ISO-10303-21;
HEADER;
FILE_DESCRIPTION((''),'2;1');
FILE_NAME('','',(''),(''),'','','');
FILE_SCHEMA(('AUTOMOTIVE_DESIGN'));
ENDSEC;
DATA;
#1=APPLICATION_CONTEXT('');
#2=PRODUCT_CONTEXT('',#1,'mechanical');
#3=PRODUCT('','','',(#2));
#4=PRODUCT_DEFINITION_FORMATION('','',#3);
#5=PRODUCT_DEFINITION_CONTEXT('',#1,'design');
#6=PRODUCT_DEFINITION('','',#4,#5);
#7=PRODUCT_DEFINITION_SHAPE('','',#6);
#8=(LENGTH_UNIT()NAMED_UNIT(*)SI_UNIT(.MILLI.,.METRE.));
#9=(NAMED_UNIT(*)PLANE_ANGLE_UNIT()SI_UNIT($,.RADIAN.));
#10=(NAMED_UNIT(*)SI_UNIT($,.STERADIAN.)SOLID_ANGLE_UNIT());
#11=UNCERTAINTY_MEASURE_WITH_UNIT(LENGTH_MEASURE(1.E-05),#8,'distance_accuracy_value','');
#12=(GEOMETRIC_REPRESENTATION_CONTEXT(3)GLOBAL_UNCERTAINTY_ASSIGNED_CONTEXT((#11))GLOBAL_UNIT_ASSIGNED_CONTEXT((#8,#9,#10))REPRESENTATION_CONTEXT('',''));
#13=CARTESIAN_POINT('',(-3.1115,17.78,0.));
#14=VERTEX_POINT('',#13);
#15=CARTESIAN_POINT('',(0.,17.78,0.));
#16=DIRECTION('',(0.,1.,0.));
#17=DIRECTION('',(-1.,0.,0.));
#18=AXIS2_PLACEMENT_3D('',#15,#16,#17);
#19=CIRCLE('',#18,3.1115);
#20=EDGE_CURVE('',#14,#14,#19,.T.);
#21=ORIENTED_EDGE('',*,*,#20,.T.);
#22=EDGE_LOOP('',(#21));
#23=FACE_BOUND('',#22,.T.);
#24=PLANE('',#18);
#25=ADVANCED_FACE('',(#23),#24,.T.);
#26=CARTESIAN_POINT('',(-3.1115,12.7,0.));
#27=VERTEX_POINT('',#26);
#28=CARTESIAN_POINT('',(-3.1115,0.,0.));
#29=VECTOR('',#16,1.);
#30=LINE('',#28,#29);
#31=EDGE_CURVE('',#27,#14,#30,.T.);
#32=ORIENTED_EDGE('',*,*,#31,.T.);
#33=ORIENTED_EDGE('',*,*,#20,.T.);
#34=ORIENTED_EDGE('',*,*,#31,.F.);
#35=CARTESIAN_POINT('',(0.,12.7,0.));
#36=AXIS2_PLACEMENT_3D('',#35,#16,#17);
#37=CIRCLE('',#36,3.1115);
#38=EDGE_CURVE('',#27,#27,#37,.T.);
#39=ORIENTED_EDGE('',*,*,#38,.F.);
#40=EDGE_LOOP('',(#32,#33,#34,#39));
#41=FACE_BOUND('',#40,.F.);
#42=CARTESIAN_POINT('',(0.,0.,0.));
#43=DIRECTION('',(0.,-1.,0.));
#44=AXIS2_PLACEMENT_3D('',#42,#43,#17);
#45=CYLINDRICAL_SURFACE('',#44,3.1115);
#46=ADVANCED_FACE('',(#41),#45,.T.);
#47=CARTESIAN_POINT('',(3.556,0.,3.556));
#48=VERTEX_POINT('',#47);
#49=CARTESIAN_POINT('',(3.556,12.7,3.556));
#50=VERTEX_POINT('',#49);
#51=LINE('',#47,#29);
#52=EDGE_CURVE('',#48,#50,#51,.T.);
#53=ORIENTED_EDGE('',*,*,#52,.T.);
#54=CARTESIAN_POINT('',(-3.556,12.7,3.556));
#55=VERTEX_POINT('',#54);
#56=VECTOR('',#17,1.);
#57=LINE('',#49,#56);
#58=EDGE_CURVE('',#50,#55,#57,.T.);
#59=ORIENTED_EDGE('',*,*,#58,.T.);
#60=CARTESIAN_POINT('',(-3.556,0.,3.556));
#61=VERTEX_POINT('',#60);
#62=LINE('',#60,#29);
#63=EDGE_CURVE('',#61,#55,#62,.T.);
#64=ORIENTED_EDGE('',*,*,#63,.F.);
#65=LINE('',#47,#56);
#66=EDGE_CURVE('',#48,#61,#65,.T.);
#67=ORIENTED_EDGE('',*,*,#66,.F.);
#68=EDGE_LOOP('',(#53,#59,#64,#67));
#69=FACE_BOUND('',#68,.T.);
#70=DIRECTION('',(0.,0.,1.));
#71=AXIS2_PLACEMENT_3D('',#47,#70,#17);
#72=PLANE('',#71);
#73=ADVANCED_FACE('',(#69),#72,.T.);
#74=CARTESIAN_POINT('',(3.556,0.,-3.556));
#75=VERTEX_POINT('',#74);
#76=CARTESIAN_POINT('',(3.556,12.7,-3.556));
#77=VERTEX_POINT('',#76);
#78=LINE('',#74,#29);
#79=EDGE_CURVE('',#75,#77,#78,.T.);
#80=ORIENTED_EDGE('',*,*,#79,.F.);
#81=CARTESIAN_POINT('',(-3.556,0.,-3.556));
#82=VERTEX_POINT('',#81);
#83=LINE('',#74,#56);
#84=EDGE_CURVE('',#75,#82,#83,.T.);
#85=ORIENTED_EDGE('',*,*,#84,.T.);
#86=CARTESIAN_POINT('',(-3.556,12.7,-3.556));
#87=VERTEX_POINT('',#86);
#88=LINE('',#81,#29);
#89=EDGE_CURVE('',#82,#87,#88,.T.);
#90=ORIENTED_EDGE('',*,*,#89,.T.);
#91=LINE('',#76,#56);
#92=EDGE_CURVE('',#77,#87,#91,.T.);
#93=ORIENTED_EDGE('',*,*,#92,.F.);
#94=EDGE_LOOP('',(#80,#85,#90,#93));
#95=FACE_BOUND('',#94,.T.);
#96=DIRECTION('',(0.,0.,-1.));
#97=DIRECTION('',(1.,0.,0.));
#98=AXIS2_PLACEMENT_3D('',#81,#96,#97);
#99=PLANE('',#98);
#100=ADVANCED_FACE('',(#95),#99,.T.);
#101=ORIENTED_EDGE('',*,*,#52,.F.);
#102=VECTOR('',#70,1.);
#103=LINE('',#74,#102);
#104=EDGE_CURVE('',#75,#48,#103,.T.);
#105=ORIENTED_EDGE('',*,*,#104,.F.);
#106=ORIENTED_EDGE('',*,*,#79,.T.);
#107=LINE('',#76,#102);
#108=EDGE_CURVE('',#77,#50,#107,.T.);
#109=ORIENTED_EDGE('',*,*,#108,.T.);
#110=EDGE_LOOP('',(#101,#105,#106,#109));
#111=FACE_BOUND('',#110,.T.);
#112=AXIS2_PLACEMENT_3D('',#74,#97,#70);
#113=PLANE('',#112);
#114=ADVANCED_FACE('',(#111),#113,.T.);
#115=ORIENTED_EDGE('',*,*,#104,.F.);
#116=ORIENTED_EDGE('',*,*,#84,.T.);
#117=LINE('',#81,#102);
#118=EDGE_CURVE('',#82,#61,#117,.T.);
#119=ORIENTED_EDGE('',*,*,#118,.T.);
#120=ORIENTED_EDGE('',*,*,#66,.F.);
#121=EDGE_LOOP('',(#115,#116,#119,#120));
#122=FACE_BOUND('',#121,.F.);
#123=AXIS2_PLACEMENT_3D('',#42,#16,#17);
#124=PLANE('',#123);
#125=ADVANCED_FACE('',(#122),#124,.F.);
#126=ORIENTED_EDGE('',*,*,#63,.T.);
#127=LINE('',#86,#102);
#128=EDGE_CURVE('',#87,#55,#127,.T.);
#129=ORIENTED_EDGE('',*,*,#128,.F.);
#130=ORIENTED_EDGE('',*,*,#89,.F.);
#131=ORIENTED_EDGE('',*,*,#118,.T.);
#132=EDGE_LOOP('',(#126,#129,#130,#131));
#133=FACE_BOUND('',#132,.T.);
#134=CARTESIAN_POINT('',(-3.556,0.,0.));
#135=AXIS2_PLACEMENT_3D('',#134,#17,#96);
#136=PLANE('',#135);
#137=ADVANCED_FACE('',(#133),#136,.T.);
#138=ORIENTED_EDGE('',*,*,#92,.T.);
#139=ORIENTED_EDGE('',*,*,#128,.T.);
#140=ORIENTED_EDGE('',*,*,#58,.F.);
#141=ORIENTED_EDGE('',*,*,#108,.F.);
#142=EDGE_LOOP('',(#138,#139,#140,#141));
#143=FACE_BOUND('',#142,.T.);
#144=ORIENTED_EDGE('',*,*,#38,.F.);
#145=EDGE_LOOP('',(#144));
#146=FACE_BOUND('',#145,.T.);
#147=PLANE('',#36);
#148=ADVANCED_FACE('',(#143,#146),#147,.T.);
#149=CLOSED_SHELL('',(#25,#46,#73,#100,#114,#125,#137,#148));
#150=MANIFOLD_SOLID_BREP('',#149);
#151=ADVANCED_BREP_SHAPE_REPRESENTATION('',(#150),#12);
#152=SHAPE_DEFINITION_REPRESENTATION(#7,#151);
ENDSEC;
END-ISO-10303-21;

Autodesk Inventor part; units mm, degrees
ref_plane "YZ Plane" through (0, 0, 0) normal (1, 0, 0) x (0, 1, 0)
ref_plane "XZ Plane" through (0, 0, 0) normal (0, 1, 0) x (-1, 0, 0)
ref_plane "XY Plane" through (0, 0, 0) normal (0, 0, 1) x (1, 0, 0)
sketch "Sketch1" plane through (0, 0, 0) normal (0, 1, 0) x (-1, 0, 0)
  circle A0 centre (0, 0) radius 3.1115
  line L0 (3.556, 0) -> (3.556, -3.556)
  line L1 (3.556, -3.556) -> (0, -3.556)
  line L2 (3.556, -3.556) -> (-3.556, -3.556)
  line L3 (-3.556, -3.556) -> (-3.556, 3.556)
  line L4 (-3.556, 3.556) -> (3.556, 3.556)
  line L5 (3.556, 3.556) -> (3.556, -3.556)
  dimension "d0" = 6.223
  dimension "d1" = 3.556
  dimension "d2" = 3.556
  dimension "d3" = 7.112
  dimension "d4" = 7.112
extrude "Extrusion1" add sketch "Sketch1" along normal blind 17.78 contours A0
extrude "Extrusion2" add sketch "Sketch1" along normal blind 12.7
properties part number "button"
